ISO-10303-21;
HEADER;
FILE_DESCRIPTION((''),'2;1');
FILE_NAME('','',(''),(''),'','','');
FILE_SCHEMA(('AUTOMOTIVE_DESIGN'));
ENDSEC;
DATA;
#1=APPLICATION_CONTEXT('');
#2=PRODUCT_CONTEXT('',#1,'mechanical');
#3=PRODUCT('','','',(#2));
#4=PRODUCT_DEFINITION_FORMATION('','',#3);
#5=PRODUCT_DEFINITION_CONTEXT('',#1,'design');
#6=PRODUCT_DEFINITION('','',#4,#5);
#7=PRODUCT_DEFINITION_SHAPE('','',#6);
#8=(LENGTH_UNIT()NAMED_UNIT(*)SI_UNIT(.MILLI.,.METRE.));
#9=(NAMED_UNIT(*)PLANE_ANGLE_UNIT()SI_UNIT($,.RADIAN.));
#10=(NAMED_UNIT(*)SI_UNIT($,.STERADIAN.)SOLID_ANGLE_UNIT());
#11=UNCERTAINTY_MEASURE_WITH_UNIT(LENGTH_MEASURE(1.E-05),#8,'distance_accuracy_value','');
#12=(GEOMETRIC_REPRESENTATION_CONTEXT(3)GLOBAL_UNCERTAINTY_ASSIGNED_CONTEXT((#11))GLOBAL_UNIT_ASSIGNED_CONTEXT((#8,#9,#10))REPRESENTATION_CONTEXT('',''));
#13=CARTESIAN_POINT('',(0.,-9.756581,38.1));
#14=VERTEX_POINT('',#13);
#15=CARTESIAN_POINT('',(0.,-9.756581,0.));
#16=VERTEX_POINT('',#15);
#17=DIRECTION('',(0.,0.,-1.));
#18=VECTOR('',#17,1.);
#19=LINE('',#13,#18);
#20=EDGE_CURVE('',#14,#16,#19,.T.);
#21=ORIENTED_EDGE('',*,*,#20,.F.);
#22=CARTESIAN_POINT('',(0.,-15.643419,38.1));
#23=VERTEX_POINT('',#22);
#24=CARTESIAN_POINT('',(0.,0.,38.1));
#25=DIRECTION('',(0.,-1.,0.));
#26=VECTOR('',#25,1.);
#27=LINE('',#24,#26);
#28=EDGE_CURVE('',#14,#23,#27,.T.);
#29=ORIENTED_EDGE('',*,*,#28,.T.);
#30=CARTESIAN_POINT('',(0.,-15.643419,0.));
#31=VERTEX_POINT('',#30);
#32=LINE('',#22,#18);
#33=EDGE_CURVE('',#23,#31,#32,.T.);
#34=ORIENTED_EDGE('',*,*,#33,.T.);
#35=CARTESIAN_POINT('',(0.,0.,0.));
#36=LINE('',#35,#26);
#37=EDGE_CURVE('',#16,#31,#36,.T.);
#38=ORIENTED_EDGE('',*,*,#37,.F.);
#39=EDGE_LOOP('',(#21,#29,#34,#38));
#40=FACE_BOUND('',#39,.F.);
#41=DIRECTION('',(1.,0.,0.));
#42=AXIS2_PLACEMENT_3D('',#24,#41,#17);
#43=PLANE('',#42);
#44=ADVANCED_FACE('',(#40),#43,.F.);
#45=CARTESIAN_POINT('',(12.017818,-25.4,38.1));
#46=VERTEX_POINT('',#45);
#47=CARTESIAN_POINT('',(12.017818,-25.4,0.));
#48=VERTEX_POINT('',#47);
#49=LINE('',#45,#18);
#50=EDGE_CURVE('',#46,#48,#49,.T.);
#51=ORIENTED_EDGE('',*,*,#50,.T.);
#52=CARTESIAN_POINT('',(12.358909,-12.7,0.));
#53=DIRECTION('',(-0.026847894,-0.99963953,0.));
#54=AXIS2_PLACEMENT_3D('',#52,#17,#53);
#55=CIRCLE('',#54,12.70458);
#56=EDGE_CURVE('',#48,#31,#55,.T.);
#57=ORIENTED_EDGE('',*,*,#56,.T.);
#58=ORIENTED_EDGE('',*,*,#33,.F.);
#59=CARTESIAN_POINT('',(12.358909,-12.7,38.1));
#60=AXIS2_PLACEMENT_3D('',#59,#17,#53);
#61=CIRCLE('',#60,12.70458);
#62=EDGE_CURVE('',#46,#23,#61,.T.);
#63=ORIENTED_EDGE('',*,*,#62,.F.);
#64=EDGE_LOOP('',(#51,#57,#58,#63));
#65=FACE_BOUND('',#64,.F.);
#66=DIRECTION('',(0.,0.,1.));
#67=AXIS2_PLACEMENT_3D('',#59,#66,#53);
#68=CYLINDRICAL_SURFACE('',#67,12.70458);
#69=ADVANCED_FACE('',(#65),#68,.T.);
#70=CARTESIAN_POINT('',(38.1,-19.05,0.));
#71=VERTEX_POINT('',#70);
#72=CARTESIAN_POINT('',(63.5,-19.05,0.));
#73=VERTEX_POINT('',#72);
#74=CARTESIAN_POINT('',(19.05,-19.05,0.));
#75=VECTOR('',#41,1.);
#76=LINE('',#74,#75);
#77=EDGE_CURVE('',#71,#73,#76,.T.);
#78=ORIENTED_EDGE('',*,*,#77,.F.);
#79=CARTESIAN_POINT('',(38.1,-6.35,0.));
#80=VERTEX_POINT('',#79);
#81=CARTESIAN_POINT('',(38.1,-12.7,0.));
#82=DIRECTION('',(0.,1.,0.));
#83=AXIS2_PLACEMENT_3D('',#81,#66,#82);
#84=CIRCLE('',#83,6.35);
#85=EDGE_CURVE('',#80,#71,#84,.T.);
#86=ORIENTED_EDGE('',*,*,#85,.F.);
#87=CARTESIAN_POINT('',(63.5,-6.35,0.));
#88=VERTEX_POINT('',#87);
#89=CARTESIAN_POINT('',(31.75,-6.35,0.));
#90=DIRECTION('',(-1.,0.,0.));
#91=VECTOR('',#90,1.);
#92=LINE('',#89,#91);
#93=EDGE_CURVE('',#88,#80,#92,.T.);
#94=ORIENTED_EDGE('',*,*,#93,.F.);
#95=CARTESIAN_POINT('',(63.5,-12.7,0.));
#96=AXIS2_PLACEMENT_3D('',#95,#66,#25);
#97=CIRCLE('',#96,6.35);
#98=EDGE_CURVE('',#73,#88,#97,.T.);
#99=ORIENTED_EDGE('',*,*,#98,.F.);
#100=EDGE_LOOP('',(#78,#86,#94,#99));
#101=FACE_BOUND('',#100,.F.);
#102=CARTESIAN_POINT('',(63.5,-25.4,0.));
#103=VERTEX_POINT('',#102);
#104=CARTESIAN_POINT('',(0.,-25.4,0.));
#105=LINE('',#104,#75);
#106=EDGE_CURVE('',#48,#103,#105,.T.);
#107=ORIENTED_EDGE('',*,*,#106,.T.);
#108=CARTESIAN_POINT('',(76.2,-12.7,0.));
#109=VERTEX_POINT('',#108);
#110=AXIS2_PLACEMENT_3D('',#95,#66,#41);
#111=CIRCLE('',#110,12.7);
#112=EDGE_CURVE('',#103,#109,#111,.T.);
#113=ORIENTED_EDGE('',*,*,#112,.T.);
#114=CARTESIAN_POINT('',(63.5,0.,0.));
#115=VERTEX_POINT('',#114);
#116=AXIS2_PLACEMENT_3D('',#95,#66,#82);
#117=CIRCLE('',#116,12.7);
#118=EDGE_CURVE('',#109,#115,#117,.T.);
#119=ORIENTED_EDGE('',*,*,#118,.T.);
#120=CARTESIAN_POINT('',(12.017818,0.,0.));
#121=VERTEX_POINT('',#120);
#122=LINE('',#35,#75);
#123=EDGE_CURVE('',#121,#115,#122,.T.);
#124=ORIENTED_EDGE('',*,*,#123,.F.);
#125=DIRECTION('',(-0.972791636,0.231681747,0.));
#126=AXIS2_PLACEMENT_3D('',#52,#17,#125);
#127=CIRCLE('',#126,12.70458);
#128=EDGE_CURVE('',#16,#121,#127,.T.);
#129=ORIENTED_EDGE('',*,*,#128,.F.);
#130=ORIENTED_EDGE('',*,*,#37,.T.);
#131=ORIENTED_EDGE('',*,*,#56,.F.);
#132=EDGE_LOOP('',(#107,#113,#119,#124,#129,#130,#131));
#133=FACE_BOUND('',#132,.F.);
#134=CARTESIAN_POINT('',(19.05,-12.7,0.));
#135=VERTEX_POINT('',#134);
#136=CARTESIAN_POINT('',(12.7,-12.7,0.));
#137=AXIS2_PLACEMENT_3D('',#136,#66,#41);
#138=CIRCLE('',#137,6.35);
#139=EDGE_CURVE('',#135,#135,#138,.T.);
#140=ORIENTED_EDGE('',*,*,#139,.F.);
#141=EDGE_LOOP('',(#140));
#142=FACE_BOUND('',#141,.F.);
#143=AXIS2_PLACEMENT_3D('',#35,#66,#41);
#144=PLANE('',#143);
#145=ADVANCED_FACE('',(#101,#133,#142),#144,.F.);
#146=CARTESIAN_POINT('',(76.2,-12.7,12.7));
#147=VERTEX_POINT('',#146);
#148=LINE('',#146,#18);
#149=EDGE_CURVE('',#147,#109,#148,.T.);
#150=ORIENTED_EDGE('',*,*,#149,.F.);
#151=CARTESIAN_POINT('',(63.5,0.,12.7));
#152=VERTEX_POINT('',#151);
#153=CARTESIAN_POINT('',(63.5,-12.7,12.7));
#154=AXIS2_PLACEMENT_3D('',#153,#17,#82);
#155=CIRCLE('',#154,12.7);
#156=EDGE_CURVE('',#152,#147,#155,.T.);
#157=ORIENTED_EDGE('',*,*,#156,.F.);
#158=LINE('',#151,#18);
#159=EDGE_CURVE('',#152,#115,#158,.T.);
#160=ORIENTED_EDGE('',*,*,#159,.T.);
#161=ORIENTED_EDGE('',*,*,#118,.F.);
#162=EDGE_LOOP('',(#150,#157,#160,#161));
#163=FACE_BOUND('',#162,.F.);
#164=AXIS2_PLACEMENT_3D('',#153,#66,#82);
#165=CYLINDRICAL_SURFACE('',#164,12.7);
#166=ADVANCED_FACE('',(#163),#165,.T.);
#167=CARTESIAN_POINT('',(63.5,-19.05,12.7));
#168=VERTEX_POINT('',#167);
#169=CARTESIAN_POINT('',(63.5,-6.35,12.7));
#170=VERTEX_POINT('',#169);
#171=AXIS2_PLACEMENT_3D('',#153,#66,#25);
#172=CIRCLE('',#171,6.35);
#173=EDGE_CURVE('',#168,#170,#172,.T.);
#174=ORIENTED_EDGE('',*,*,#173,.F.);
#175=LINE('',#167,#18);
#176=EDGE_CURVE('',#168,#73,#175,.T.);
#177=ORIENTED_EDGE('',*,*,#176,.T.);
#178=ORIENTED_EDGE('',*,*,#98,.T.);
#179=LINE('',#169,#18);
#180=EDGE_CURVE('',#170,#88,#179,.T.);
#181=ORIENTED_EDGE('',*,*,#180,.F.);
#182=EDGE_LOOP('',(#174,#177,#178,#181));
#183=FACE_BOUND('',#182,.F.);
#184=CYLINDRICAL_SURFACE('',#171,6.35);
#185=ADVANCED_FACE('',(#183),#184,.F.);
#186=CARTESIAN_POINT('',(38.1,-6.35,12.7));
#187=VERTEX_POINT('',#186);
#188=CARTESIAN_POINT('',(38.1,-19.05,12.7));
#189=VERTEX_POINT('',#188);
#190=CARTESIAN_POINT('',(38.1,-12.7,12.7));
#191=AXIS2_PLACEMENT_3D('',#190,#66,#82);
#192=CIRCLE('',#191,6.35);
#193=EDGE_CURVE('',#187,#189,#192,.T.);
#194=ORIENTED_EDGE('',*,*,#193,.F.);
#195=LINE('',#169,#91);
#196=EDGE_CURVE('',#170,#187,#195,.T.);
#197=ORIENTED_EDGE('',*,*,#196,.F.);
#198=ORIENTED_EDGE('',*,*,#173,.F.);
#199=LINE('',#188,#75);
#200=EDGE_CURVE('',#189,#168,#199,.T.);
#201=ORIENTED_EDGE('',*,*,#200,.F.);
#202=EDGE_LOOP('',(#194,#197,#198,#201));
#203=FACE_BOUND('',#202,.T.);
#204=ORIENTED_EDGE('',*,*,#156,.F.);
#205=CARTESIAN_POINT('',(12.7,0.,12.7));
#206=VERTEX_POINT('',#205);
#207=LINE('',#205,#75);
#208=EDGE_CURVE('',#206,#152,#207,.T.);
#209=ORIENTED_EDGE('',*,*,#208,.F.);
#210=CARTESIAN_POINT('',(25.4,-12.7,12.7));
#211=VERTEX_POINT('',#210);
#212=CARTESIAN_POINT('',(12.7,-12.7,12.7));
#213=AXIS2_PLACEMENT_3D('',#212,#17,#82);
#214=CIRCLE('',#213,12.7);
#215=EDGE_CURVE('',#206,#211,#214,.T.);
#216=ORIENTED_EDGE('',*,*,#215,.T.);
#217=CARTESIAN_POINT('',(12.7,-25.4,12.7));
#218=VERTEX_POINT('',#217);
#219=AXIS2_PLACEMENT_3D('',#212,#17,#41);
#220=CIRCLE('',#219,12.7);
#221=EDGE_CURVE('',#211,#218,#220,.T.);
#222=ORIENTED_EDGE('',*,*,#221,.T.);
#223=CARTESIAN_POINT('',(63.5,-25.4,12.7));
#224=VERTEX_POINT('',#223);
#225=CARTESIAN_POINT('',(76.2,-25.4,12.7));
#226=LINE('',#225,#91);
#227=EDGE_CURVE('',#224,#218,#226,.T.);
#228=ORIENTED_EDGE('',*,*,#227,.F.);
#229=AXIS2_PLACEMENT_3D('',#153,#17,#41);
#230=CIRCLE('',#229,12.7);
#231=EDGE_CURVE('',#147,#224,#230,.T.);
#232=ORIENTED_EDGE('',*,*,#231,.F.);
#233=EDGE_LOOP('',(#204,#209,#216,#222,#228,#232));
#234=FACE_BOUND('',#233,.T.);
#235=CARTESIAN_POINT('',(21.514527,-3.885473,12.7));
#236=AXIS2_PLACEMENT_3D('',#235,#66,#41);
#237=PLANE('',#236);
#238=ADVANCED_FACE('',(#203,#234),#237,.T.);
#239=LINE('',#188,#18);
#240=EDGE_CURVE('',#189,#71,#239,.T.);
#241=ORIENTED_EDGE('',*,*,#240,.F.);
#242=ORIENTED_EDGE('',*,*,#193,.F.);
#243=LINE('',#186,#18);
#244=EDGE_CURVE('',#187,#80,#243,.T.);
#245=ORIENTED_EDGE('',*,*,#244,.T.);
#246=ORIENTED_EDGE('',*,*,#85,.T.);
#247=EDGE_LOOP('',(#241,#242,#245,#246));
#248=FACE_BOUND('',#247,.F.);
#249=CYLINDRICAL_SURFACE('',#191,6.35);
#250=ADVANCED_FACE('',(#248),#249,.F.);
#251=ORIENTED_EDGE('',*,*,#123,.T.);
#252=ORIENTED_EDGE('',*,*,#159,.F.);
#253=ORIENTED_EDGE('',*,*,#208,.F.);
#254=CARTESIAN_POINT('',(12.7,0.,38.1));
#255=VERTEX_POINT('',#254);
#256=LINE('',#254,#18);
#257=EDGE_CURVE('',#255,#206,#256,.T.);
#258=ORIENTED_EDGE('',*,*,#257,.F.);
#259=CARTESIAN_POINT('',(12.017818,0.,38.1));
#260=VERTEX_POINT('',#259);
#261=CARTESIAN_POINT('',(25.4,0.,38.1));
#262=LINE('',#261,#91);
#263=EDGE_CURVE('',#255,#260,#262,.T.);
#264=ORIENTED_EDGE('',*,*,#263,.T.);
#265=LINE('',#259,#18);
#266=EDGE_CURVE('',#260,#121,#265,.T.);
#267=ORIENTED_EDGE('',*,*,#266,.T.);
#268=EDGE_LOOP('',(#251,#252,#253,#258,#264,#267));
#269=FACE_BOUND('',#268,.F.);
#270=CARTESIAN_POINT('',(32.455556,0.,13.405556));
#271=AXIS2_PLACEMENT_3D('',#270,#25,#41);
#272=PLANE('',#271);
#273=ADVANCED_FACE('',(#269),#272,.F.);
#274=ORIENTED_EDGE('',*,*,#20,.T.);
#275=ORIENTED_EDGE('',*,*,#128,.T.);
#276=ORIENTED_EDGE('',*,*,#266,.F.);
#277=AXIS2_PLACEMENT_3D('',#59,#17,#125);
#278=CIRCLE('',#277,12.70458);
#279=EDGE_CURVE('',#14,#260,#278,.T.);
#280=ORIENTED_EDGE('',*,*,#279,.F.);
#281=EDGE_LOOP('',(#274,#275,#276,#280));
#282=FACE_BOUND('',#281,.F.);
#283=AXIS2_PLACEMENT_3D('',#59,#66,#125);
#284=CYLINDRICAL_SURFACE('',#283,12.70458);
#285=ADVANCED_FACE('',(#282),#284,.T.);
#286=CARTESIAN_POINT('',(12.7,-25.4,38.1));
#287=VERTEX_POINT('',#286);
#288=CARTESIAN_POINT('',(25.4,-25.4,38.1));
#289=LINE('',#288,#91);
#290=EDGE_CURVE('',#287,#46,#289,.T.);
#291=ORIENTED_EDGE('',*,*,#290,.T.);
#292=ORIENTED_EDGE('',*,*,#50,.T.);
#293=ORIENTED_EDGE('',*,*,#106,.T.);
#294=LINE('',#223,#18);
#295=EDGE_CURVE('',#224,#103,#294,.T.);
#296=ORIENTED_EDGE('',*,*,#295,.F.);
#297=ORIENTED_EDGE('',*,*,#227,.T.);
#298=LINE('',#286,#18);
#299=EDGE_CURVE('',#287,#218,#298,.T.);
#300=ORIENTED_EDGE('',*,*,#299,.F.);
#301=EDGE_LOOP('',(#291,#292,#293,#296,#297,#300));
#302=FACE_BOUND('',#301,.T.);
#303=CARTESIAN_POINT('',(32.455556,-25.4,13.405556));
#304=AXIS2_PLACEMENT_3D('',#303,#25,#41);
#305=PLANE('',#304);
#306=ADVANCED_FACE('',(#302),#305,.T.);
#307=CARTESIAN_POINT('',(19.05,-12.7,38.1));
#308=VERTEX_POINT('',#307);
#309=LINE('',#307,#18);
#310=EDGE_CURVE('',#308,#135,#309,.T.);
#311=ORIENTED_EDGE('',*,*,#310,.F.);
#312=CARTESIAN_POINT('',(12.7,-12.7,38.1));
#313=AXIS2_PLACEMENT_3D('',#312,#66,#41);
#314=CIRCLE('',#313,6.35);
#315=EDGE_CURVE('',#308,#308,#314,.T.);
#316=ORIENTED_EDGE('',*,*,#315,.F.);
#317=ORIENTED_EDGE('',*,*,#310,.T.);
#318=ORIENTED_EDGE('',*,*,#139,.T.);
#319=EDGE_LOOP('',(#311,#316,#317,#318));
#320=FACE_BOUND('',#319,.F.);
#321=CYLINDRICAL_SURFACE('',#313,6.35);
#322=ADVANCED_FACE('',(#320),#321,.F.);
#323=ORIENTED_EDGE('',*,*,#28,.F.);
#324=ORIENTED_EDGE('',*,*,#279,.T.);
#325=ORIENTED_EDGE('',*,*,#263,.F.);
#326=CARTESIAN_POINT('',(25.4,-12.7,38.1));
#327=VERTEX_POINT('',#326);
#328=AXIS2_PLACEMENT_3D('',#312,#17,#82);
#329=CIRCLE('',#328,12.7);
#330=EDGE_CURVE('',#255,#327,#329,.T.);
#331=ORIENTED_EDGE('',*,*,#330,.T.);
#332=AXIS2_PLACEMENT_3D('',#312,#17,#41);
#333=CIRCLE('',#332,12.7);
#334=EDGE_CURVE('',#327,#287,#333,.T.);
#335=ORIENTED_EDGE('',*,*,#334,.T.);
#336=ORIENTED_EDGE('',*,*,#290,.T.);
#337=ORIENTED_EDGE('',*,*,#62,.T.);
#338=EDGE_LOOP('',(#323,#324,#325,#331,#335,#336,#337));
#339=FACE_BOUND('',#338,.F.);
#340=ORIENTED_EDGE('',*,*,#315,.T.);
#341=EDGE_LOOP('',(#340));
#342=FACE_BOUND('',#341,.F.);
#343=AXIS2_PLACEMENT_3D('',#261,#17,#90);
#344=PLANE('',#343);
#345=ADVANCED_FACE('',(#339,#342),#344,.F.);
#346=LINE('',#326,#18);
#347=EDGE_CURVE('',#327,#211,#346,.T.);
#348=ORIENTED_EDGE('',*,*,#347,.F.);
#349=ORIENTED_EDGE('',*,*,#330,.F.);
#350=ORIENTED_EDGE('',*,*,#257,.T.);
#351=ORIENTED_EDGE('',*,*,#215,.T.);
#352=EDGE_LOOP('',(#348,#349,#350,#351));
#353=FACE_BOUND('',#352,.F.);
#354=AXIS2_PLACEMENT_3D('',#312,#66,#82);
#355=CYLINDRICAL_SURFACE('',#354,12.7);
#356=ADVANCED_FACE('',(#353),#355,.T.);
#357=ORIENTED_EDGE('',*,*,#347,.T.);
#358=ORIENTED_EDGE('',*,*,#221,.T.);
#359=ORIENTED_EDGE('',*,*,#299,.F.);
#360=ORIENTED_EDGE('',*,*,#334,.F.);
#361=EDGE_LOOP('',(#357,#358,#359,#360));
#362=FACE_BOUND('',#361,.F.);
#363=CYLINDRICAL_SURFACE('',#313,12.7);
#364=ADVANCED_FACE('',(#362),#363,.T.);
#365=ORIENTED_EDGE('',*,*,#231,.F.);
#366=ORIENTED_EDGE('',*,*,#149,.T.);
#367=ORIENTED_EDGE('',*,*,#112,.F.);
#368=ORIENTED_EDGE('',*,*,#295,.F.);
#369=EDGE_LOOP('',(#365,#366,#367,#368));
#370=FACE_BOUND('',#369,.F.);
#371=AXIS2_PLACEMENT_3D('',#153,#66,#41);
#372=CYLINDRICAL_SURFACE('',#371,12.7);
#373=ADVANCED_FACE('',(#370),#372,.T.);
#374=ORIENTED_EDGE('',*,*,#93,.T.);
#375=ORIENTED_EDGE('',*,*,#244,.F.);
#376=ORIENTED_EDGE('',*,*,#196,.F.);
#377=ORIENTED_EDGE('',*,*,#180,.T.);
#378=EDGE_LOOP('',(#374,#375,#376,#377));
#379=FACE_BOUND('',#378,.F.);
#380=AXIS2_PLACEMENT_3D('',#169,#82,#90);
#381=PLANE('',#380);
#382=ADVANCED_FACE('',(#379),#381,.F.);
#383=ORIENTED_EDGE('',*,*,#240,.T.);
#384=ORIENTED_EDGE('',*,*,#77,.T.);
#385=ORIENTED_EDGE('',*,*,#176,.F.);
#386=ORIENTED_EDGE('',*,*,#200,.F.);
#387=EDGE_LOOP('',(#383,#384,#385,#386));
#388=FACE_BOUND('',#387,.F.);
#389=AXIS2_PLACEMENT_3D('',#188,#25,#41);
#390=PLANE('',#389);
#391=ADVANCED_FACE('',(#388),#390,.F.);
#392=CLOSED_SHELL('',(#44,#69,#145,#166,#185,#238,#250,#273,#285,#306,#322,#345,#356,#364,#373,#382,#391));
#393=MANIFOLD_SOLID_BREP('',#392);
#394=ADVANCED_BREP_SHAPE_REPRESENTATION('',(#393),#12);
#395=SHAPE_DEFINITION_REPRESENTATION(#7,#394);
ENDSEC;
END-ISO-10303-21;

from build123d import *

# Parameters (mm, degrees)
F1_DEPTH = 25.4
F2_R     = 6.35
F3_DEPTH = 38.1
F5_DEPTH = 25.4
F7_DEPTH = 25.4


with BuildPart() as f1:
    # F0 (on Front) → F1 (new body)
    with BuildSketch(Plane.XZ):
        Polygon((0, 38.1), (0, 0), (76.2, 0), (76.2, 12.7), (25.4, 12.7), (25.4, 38.1), align=None)
    extrude(amount=F1_DEPTH)

    # F2 (on face) → F3 (cut)
    with BuildSketch(Plane.XY.offset(38.1)):
        with BuildLine():
            ThreePointArc((12.0178175899, -25.4), (4.3513987444, -22.5633729526), (0, -15.6434192037))
            Line((0, -15.6434192037), (0, -25.4))
            Line((0, -25.4), (12.0178175899, -25.4))
        make_face()
        with BuildLine():
            ThreePointArc((0, -9.7565807963), (4.3513987444, -2.8366270474), (12.0178175899, 0))
            Line((12.0178175899, 0), (0, 0))
            Line((0, 0), (0, -9.7565807963))
        make_face()
        with Locations((12.7, -12.7)):
            Circle(F2_R)
    extrude(amount=-F3_DEPTH, mode=Mode.SUBTRACT)

    # F4 (on face) → F5 (cut)
    with BuildSketch(Plane.XY.offset(38.1)):
        with BuildLine():
            ThreePointArc((12.7, 0), (21.6802561211, -3.7197438789), (25.4, -12.7))
            Line((25.4, -12.7), (25.4, 0))
            Line((25.4, 0), (12.7, 0))
        make_face()
        with BuildLine():
            ThreePointArc((25.4, -12.7), (21.6802561211, -21.6802561211), (12.7, -25.4))
            Line((12.7, -25.4), (25.4, -25.4))
            Line((25.4, -25.4), (25.4, -12.7))
        make_face()
    extrude(amount=-F5_DEPTH, mode=Mode.SUBTRACT)

    # F6 (on face) → F7 (cut)
    with BuildSketch(Plane.XY.offset(12.7)):
        with BuildLine():
            Line((63.5, -6.35), (38.1, -6.35))
            ThreePointArc((38.1, -6.35), (31.75, -12.7), (38.1, -19.05))
            Line((38.1, -19.05), (63.5, -19.05))
            Line((63.5, -19.05), (63.5, -6.35))
        make_face()
        with BuildLine():
            ThreePointArc((63.5, -19.05), (69.85, -12.7), (63.5, -6.35))
            Line((63.5, -6.35), (63.5, -19.05))
        make_face()
        with BuildLine():
            ThreePointArc((63.5, 0), (72.4802561211, -3.7197438789), (76.2, -12.7))
            Line((76.2, -12.7), (76.2, 0))
            Line((76.2, 0), (63.5, 0))
        make_face()
        with BuildLine():
            ThreePointArc((76.2, -12.7), (72.4802561211, -21.6802561211), (63.5, -25.4))
            Line((63.5, -25.4), (76.2, -25.4))
            Line((76.2, -25.4), (76.2, -12.7))
        make_face()
    extrude(amount=-F7_DEPTH, mode=Mode.SUBTRACT)


solid = f1.part
